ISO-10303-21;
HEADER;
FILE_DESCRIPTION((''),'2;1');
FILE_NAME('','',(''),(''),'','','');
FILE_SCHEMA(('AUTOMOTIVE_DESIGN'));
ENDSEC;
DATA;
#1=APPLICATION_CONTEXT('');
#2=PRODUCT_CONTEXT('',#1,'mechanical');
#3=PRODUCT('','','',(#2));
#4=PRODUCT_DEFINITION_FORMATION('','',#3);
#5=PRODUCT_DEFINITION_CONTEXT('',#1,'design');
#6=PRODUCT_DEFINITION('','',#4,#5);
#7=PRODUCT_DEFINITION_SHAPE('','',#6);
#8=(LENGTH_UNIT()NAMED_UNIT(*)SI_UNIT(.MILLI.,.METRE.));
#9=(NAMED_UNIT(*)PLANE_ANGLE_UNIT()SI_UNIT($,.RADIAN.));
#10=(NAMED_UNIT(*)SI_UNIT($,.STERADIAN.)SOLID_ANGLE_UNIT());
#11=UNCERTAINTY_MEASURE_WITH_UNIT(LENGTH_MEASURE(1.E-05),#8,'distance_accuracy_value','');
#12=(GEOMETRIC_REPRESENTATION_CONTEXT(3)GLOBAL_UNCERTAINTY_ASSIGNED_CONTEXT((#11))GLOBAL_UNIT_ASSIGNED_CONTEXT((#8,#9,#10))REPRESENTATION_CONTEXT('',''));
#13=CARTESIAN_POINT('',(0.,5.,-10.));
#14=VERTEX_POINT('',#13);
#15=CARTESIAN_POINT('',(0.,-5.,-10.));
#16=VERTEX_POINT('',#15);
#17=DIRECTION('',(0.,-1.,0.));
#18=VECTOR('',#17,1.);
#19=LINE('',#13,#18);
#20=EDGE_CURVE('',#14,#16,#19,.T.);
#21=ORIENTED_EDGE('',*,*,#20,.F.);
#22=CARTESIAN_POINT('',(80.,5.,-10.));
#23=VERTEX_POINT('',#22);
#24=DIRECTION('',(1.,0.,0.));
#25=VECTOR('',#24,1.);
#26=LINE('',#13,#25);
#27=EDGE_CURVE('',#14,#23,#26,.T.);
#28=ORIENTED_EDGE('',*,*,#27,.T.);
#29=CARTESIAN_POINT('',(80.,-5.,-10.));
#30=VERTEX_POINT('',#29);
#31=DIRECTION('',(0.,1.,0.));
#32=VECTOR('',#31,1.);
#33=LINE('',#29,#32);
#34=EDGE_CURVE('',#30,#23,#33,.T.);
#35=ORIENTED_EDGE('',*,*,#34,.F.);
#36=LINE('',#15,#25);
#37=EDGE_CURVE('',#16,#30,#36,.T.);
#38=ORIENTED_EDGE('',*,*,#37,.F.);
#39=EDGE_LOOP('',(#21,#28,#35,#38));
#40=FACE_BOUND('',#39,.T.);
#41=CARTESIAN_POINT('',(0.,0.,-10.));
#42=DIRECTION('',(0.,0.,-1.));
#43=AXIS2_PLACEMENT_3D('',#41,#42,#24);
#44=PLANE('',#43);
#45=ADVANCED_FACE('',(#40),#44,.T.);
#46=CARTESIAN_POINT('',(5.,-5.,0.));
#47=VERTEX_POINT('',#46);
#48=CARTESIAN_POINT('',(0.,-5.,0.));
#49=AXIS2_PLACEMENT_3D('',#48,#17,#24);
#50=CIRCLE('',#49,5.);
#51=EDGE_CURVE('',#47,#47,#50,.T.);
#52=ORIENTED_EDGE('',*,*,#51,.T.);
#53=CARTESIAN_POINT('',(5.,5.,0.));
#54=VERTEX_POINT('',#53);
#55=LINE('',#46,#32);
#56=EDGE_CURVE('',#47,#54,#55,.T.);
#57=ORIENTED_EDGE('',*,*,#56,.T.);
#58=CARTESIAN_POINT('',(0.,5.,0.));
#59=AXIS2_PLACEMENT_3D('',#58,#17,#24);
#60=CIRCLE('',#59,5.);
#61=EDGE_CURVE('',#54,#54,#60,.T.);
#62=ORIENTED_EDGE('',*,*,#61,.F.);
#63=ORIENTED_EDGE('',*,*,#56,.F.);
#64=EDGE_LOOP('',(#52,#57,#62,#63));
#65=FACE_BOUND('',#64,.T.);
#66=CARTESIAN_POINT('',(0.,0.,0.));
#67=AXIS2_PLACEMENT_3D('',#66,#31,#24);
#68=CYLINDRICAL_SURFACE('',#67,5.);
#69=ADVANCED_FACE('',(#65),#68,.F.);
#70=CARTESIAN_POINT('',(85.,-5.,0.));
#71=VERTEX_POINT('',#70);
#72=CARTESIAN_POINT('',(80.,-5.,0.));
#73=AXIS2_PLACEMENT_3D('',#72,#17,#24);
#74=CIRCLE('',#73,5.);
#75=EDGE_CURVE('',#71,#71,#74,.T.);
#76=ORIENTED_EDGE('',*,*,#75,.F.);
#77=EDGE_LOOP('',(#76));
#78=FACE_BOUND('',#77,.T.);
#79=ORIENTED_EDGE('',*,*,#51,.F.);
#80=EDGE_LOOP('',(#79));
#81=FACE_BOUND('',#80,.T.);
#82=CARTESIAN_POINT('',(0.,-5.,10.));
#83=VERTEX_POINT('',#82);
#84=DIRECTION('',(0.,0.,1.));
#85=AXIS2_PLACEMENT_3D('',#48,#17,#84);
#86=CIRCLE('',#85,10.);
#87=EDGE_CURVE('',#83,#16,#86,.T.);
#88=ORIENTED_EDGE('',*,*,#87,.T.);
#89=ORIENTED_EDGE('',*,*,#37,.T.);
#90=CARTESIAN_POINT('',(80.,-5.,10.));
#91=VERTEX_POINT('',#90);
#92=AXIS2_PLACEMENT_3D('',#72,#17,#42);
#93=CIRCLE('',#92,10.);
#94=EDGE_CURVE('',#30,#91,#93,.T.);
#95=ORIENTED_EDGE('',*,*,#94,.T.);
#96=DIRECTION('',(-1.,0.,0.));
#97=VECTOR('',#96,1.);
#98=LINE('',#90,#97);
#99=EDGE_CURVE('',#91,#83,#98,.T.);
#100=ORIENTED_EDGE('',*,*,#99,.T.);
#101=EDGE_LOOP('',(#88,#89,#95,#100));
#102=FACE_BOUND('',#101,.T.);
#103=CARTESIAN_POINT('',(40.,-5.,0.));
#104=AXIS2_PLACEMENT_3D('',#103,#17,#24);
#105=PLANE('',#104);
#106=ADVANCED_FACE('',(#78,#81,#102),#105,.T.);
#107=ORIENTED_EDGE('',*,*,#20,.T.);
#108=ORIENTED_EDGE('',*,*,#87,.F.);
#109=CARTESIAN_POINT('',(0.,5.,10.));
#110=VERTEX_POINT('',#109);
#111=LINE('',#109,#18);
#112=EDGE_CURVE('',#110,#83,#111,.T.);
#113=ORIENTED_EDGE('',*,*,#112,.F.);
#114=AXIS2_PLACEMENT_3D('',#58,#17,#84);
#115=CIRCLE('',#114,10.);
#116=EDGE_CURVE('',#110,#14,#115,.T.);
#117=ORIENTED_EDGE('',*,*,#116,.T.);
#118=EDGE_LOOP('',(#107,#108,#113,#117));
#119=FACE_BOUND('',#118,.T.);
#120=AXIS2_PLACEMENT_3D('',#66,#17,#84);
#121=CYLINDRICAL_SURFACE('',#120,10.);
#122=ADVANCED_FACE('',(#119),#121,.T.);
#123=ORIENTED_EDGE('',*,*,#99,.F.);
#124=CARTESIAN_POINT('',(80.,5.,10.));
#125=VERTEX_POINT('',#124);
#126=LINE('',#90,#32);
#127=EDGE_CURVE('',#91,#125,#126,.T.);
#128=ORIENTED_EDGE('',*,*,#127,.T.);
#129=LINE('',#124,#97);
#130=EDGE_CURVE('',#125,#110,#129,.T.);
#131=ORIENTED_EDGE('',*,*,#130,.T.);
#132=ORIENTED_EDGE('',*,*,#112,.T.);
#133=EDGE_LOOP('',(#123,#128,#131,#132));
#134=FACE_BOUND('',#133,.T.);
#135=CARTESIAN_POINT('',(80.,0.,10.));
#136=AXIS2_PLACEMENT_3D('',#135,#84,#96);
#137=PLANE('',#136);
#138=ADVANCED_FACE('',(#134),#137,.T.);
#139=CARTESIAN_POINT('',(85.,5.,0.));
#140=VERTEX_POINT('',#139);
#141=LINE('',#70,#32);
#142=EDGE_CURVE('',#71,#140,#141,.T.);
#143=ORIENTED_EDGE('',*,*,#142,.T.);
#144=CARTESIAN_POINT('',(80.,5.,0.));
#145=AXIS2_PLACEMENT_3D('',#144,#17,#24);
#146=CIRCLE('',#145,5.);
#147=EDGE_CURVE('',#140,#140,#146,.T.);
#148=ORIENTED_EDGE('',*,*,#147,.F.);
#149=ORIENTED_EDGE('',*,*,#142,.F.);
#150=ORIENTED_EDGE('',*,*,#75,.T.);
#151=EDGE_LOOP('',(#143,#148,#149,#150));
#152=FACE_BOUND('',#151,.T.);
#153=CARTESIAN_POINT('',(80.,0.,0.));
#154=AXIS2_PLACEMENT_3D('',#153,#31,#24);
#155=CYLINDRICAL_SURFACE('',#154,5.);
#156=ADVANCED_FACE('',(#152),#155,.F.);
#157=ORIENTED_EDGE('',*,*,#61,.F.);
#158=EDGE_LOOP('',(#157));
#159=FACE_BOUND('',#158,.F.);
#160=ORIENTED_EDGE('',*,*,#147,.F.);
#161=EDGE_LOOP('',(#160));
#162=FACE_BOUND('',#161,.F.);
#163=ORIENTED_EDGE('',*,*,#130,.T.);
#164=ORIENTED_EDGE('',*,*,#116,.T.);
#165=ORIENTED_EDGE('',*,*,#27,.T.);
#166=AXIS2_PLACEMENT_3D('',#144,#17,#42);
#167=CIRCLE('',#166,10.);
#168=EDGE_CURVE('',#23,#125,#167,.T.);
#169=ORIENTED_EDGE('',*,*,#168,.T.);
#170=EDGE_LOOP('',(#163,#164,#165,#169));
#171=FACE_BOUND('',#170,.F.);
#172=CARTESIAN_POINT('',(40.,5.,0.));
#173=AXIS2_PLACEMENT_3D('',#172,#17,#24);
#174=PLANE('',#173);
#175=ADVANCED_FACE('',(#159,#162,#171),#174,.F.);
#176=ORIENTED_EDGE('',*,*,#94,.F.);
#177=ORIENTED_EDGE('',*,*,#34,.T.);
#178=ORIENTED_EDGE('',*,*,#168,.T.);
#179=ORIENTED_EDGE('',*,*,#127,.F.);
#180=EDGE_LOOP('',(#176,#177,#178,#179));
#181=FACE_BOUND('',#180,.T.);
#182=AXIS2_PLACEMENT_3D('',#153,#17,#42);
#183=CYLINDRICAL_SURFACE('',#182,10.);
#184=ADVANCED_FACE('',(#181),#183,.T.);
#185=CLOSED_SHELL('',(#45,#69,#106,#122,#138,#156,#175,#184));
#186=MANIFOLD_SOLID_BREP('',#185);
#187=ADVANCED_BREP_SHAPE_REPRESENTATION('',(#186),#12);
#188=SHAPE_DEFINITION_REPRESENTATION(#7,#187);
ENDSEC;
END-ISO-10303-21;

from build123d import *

# Parameters (mm, degrees)
F0_R     = 5
F1_DEPTH = 5


with BuildPart() as f1:
    # F0 (on Front) → F1 (new body, symmetric)
    with BuildSketch(Plane.XZ):
        with BuildLine():
            Line((80, 10), (0, 10))
            ThreePointArc((0, 10), (-10, 0), (0, -10))
            Line((0, -10), (80, -10))
            ThreePointArc((80, -10), (90, 0), (80, 10))
        make_face()
        Circle(F0_R, mode=Mode.SUBTRACT)
        with Locations((80, 0)):
            Circle(F0_R, mode=Mode.SUBTRACT)
    extrude(amount=F1_DEPTH, both=True)


solid = f1.part
